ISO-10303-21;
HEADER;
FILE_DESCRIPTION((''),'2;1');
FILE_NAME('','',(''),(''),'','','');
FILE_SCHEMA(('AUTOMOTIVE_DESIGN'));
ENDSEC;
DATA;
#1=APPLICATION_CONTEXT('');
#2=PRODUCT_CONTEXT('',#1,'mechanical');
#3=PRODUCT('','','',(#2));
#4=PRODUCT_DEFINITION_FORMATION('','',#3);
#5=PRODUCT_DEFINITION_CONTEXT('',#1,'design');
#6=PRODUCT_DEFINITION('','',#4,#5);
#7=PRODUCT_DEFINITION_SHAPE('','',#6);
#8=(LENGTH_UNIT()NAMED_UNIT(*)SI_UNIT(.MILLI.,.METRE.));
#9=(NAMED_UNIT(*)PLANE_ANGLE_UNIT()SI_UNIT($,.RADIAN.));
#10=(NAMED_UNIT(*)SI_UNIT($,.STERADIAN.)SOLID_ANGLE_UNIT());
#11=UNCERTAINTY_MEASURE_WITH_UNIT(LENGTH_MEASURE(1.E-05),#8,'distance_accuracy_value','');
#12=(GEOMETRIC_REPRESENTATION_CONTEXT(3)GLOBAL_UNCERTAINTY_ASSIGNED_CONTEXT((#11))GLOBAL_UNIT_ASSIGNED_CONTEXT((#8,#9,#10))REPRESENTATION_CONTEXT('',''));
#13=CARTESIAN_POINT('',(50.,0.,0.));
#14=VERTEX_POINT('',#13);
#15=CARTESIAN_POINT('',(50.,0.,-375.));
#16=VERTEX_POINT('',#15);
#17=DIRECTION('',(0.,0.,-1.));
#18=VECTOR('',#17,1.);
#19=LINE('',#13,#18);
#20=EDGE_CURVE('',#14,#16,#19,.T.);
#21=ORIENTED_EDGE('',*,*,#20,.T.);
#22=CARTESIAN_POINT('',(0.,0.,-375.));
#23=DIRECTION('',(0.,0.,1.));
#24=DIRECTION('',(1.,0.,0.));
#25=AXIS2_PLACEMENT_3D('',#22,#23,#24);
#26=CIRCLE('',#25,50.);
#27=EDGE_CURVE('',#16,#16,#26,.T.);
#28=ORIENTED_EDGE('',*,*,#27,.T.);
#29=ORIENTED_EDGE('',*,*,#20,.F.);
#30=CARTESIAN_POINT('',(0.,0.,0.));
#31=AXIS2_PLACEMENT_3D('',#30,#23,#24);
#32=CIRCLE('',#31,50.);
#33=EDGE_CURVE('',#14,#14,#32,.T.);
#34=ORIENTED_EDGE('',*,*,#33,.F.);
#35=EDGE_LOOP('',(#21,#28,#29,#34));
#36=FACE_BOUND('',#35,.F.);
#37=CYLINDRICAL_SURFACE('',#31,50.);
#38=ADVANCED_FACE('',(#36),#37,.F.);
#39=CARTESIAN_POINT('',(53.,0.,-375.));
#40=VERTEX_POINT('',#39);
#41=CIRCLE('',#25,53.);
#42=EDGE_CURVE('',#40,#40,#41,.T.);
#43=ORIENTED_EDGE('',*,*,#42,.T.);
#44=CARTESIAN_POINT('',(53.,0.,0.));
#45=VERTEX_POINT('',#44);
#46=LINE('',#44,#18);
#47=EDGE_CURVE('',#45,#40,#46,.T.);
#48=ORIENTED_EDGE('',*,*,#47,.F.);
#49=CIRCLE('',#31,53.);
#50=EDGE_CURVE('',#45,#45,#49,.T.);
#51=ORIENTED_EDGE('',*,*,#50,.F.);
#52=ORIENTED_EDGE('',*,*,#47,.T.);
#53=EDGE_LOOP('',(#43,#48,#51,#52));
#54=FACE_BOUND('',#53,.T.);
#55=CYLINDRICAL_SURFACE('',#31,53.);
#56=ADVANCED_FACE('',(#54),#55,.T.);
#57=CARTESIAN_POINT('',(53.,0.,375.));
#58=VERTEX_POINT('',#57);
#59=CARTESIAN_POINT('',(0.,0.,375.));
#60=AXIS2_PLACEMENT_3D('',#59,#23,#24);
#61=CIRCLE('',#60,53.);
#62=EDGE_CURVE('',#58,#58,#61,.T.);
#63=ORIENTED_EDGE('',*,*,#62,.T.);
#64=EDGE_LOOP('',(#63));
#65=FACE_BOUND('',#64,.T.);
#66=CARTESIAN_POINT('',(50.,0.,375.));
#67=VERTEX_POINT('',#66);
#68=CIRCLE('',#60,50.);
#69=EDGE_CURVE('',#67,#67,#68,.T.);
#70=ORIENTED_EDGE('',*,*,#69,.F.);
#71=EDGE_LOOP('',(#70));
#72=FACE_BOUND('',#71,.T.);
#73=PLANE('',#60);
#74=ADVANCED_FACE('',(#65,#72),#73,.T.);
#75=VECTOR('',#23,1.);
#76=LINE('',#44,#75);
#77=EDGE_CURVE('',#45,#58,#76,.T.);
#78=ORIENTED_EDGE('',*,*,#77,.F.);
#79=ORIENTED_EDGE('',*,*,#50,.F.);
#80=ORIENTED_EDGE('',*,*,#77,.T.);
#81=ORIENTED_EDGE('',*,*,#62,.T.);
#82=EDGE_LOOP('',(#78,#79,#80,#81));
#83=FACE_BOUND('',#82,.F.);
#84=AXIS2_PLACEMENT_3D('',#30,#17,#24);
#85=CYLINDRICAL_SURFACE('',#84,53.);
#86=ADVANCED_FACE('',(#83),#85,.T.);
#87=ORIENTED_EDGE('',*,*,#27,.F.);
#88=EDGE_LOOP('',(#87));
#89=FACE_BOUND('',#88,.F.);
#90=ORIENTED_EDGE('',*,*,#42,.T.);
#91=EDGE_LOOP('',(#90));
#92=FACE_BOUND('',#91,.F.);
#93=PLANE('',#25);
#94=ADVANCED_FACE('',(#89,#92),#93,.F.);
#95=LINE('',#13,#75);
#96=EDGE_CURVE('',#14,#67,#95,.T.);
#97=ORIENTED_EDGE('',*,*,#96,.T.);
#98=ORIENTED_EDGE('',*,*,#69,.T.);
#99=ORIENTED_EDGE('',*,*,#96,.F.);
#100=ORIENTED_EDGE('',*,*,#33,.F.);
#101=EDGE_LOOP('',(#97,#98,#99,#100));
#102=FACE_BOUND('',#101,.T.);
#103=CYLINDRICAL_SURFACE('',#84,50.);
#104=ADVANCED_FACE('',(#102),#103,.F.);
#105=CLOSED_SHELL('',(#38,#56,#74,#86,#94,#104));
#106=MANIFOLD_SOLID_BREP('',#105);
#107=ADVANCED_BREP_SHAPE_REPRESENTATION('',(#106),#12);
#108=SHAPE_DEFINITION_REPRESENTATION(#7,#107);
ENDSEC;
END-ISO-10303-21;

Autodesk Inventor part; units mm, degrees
ref_plane "YZ Plane" through (0, 0, 0) normal (1, 0, 0) x (0, 1, 0)
ref_plane "XZ Plane" through (0, 0, 0) normal (0, 1, 0) x (-1, 0, 0)
ref_plane "XY Plane" through (0, 0, 0) normal (0, 0, 1) x (1, 0, 0)
sketch "Esboço1" plane through (0, 0, 0) normal (0, 0, 1) x (1, 0, 0)
  circle A0 centre (0, 0) radius 50
  circle A1 centre (0, 0) radius 53
  dimension "d0" = 100
  dimension "d1" = 3
extrude "Extrusão1" add sketch "Esboço1" along normal mid plane 750
properties part number "peca_001_001" material "Alumínio 6061"
